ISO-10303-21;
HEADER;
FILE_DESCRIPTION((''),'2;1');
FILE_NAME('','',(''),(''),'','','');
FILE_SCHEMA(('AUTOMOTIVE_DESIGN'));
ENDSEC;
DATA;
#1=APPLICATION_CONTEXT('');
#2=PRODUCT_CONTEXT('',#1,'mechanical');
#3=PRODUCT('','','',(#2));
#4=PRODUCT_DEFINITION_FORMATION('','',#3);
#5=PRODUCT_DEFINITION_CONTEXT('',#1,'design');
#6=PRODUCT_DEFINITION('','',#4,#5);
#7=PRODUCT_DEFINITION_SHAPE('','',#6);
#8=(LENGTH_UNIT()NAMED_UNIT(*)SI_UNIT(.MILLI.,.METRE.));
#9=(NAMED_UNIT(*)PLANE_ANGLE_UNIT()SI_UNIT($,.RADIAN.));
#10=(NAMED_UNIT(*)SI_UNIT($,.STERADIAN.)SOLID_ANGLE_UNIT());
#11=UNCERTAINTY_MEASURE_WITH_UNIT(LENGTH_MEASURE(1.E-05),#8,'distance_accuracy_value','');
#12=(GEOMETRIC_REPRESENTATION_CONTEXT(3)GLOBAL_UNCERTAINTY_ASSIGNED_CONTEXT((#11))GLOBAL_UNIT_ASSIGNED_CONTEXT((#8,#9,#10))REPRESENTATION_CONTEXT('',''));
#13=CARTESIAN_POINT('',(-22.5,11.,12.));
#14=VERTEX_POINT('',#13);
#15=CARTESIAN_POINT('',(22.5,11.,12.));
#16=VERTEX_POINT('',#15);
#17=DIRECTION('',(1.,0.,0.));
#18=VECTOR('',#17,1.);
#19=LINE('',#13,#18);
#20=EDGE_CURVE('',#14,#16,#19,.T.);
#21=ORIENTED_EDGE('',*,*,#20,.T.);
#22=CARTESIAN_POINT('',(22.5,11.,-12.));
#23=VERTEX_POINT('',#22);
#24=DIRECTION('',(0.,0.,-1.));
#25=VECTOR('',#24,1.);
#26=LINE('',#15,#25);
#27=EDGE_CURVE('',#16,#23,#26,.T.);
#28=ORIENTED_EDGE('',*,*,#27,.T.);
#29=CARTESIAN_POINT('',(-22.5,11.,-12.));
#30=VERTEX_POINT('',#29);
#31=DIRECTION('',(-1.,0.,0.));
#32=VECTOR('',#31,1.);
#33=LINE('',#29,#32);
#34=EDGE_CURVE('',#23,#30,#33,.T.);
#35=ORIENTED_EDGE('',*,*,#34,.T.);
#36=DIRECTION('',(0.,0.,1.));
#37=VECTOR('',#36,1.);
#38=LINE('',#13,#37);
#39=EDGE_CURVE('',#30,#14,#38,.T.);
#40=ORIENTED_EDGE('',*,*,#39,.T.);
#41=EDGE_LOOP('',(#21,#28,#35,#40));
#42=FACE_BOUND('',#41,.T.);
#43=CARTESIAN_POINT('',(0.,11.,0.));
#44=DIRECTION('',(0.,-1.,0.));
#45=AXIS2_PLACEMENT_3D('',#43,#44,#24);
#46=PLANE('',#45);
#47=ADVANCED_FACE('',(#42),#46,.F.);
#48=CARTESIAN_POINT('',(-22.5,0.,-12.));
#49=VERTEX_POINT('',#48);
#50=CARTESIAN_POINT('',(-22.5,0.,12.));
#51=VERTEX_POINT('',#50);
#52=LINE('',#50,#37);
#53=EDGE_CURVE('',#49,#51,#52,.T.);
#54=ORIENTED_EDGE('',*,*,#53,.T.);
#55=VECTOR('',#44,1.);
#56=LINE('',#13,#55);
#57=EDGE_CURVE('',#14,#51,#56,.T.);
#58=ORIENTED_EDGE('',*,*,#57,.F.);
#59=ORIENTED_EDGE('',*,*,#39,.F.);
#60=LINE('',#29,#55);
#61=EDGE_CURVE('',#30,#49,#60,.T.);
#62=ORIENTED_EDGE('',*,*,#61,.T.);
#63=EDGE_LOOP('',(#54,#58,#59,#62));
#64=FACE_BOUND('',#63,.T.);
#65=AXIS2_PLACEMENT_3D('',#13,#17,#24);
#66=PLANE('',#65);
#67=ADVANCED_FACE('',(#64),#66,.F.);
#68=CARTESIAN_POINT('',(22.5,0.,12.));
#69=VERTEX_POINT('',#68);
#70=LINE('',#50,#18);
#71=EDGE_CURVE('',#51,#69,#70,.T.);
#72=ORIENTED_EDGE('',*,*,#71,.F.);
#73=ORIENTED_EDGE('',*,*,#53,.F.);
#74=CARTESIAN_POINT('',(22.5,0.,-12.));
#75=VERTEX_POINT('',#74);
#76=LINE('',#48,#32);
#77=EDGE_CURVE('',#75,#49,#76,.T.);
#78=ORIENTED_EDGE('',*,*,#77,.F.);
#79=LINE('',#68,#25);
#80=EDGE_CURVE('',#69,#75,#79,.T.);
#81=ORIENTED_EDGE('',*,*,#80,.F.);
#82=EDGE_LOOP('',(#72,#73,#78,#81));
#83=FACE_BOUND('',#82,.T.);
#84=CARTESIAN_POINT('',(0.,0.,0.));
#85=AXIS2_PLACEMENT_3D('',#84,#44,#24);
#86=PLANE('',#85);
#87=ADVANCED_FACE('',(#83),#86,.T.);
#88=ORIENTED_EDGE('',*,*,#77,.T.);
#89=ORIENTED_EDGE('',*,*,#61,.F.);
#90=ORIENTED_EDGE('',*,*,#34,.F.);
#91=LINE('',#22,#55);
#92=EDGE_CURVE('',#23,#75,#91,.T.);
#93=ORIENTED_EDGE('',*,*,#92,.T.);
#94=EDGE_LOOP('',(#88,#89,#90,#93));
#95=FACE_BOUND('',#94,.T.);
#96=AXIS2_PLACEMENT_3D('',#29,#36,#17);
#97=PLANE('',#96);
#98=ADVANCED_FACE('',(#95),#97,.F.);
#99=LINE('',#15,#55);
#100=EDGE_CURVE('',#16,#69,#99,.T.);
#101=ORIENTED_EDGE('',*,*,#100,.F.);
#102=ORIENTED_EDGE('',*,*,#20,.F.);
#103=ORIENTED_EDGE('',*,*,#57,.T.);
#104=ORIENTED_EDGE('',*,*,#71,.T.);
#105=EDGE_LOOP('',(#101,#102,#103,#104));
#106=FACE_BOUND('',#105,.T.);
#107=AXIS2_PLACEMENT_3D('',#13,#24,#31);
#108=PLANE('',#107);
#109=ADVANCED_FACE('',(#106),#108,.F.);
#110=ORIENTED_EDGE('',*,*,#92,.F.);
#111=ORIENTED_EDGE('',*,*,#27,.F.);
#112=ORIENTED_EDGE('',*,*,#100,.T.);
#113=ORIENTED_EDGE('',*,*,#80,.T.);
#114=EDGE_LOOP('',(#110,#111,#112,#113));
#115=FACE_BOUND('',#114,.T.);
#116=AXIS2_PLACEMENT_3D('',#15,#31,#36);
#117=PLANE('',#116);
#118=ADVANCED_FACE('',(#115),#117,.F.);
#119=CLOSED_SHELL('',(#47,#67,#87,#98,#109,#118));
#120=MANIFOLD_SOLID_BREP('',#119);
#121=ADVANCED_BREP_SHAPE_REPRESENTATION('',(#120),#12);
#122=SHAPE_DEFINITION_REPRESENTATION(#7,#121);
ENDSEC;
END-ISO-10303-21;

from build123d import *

# Parameters (mm, degrees)
SKETCH1_W           = 45
SKETCH1_H           = 24
BOSS_EXTRUDE1_DEPTH = 11


with BuildPart() as part:
    # Sketch1 → Boss-Extrude1 (new body)
    with BuildSketch(Plane(origin=(0, 0, 0), x_dir=(1, 0, 0), z_dir=(0, 1, 0))):
        Rectangle(SKETCH1_W, SKETCH1_H)
    extrude(amount=BOSS_EXTRUDE1_DEPTH)


solid = part.part
